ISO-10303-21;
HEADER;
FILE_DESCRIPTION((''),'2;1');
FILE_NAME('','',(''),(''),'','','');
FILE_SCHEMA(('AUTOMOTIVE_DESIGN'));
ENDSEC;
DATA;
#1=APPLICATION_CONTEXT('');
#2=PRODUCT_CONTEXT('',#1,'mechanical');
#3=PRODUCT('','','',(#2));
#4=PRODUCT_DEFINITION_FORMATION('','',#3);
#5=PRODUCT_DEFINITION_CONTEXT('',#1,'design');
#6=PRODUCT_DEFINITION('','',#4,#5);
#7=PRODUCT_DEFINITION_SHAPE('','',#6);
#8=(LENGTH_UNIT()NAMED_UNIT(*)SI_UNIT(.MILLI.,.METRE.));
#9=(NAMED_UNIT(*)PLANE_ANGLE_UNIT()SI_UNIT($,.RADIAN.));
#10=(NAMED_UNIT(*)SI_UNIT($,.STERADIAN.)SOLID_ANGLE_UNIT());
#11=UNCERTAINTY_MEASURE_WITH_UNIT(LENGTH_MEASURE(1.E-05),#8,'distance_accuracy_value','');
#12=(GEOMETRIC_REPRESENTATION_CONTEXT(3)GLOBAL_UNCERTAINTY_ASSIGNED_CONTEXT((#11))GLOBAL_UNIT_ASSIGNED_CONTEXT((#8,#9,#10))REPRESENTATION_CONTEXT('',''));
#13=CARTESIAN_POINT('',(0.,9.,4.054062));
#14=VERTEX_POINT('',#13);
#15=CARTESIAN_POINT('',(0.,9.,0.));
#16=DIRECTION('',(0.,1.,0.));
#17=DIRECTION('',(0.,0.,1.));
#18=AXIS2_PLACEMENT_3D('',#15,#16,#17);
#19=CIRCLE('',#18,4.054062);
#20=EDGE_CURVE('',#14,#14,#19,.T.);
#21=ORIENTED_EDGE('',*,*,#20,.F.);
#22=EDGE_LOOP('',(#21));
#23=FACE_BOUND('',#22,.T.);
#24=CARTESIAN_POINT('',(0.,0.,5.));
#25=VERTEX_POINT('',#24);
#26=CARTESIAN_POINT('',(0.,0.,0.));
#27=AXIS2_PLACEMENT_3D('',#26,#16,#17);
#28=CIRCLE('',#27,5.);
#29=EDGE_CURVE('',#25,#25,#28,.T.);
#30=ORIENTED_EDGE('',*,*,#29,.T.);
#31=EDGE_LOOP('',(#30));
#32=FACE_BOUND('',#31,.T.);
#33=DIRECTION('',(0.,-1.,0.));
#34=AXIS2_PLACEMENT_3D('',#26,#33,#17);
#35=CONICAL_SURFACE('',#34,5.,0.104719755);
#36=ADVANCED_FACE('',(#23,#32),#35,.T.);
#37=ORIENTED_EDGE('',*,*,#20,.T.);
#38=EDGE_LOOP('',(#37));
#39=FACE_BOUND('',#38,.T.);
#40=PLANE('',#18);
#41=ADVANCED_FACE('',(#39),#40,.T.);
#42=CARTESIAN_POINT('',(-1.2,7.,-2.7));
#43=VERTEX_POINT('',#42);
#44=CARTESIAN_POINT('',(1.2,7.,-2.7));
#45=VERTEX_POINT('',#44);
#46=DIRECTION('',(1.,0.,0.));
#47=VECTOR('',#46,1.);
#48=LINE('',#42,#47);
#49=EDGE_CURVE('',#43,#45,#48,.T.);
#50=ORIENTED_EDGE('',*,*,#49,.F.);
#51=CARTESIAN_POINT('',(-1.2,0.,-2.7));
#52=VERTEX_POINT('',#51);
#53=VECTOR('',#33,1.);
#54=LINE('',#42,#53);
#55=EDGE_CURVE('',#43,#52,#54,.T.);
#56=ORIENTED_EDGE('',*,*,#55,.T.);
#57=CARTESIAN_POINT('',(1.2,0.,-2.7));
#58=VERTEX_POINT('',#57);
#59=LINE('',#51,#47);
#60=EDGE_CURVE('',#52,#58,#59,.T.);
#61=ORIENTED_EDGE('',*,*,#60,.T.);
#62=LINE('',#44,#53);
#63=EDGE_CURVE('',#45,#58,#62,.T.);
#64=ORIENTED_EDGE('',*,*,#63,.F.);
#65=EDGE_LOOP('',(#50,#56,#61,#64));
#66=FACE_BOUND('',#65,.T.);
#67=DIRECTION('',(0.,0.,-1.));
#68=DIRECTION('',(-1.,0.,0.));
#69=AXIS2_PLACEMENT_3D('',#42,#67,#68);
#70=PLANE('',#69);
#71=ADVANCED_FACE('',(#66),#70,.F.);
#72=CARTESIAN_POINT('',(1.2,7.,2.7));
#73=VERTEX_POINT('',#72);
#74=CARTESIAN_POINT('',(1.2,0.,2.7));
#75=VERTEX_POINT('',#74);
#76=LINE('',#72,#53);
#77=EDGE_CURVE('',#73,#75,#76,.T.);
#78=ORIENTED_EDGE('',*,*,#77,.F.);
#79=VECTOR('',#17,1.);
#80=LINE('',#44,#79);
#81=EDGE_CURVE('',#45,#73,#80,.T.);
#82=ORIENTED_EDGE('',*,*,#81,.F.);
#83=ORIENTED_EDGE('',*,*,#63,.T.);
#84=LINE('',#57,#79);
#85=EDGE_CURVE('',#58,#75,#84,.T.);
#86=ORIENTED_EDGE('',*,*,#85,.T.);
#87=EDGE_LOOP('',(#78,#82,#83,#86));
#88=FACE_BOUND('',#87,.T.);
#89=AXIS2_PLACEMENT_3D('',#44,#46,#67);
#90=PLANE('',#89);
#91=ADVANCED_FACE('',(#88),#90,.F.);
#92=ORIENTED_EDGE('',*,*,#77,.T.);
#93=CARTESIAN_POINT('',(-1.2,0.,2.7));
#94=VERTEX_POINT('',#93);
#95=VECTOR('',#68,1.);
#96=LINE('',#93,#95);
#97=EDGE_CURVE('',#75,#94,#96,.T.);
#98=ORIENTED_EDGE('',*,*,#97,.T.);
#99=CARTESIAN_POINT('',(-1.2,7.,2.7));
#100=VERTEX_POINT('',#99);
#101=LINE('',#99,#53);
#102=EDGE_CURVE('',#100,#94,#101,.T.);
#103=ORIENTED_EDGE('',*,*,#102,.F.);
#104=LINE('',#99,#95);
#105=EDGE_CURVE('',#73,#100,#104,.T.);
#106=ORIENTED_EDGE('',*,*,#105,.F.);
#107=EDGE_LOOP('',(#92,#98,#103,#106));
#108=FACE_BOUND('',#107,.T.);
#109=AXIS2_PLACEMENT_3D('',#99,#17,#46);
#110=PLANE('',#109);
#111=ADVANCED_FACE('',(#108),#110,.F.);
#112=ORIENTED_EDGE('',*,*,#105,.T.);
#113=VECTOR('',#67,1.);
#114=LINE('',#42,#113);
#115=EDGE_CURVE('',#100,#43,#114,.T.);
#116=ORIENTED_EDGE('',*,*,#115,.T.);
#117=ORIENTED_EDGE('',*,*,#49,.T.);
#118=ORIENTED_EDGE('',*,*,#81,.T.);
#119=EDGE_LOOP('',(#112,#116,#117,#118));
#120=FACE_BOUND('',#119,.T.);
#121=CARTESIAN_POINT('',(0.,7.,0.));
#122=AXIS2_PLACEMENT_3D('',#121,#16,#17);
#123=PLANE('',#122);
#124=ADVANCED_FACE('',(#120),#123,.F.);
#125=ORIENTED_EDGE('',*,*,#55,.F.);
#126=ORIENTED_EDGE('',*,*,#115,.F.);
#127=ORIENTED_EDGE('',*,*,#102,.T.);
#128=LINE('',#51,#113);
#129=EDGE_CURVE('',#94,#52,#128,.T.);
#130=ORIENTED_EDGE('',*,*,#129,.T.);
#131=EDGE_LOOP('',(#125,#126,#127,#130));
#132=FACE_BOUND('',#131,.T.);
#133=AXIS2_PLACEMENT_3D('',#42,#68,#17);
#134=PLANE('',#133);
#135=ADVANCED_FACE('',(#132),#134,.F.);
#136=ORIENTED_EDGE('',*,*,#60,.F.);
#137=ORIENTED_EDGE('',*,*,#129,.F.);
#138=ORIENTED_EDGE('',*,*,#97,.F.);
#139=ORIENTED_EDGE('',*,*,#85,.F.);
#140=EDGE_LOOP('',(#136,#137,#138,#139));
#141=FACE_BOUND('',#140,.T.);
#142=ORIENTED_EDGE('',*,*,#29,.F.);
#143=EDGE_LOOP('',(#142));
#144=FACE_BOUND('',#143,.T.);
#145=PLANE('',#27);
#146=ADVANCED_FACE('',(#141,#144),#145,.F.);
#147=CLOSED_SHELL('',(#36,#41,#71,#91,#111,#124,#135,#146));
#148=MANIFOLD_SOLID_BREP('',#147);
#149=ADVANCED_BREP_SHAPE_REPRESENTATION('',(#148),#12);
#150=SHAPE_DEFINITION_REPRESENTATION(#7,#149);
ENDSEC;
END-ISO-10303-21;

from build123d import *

# Parameters (mm, degrees)
ESQUISSE2_R             = 5
BOSS_EXTRU_1_DEPTH      = 9
BOSS_EXTRU_1_TAPER      = 6
ESQUISSE3_W             = 2.4
ESQUISSE3_H             = 5.4
ENL_V_MAT_EXTRU_1_DEPTH = 7


with BuildPart() as part:
    # Esquisse2 → Boss.-Extru.1 (new body)
    with BuildSketch(Plane(origin=(0, 0, 0), x_dir=(1, 0, 0), z_dir=(0, 1, 0))):
        Circle(ESQUISSE2_R)
    extrude(amount=BOSS_EXTRU_1_DEPTH, taper=BOSS_EXTRU_1_TAPER)

    # Esquisse3 → Enlèv. mat.-Extru.1 (cut)
    with BuildSketch(Plane.XZ):
        Rectangle(ESQUISSE3_W, ESQUISSE3_H)
    extrude(amount=-ENL_V_MAT_EXTRU_1_DEPTH, mode=Mode.SUBTRACT)


solid = part.part
